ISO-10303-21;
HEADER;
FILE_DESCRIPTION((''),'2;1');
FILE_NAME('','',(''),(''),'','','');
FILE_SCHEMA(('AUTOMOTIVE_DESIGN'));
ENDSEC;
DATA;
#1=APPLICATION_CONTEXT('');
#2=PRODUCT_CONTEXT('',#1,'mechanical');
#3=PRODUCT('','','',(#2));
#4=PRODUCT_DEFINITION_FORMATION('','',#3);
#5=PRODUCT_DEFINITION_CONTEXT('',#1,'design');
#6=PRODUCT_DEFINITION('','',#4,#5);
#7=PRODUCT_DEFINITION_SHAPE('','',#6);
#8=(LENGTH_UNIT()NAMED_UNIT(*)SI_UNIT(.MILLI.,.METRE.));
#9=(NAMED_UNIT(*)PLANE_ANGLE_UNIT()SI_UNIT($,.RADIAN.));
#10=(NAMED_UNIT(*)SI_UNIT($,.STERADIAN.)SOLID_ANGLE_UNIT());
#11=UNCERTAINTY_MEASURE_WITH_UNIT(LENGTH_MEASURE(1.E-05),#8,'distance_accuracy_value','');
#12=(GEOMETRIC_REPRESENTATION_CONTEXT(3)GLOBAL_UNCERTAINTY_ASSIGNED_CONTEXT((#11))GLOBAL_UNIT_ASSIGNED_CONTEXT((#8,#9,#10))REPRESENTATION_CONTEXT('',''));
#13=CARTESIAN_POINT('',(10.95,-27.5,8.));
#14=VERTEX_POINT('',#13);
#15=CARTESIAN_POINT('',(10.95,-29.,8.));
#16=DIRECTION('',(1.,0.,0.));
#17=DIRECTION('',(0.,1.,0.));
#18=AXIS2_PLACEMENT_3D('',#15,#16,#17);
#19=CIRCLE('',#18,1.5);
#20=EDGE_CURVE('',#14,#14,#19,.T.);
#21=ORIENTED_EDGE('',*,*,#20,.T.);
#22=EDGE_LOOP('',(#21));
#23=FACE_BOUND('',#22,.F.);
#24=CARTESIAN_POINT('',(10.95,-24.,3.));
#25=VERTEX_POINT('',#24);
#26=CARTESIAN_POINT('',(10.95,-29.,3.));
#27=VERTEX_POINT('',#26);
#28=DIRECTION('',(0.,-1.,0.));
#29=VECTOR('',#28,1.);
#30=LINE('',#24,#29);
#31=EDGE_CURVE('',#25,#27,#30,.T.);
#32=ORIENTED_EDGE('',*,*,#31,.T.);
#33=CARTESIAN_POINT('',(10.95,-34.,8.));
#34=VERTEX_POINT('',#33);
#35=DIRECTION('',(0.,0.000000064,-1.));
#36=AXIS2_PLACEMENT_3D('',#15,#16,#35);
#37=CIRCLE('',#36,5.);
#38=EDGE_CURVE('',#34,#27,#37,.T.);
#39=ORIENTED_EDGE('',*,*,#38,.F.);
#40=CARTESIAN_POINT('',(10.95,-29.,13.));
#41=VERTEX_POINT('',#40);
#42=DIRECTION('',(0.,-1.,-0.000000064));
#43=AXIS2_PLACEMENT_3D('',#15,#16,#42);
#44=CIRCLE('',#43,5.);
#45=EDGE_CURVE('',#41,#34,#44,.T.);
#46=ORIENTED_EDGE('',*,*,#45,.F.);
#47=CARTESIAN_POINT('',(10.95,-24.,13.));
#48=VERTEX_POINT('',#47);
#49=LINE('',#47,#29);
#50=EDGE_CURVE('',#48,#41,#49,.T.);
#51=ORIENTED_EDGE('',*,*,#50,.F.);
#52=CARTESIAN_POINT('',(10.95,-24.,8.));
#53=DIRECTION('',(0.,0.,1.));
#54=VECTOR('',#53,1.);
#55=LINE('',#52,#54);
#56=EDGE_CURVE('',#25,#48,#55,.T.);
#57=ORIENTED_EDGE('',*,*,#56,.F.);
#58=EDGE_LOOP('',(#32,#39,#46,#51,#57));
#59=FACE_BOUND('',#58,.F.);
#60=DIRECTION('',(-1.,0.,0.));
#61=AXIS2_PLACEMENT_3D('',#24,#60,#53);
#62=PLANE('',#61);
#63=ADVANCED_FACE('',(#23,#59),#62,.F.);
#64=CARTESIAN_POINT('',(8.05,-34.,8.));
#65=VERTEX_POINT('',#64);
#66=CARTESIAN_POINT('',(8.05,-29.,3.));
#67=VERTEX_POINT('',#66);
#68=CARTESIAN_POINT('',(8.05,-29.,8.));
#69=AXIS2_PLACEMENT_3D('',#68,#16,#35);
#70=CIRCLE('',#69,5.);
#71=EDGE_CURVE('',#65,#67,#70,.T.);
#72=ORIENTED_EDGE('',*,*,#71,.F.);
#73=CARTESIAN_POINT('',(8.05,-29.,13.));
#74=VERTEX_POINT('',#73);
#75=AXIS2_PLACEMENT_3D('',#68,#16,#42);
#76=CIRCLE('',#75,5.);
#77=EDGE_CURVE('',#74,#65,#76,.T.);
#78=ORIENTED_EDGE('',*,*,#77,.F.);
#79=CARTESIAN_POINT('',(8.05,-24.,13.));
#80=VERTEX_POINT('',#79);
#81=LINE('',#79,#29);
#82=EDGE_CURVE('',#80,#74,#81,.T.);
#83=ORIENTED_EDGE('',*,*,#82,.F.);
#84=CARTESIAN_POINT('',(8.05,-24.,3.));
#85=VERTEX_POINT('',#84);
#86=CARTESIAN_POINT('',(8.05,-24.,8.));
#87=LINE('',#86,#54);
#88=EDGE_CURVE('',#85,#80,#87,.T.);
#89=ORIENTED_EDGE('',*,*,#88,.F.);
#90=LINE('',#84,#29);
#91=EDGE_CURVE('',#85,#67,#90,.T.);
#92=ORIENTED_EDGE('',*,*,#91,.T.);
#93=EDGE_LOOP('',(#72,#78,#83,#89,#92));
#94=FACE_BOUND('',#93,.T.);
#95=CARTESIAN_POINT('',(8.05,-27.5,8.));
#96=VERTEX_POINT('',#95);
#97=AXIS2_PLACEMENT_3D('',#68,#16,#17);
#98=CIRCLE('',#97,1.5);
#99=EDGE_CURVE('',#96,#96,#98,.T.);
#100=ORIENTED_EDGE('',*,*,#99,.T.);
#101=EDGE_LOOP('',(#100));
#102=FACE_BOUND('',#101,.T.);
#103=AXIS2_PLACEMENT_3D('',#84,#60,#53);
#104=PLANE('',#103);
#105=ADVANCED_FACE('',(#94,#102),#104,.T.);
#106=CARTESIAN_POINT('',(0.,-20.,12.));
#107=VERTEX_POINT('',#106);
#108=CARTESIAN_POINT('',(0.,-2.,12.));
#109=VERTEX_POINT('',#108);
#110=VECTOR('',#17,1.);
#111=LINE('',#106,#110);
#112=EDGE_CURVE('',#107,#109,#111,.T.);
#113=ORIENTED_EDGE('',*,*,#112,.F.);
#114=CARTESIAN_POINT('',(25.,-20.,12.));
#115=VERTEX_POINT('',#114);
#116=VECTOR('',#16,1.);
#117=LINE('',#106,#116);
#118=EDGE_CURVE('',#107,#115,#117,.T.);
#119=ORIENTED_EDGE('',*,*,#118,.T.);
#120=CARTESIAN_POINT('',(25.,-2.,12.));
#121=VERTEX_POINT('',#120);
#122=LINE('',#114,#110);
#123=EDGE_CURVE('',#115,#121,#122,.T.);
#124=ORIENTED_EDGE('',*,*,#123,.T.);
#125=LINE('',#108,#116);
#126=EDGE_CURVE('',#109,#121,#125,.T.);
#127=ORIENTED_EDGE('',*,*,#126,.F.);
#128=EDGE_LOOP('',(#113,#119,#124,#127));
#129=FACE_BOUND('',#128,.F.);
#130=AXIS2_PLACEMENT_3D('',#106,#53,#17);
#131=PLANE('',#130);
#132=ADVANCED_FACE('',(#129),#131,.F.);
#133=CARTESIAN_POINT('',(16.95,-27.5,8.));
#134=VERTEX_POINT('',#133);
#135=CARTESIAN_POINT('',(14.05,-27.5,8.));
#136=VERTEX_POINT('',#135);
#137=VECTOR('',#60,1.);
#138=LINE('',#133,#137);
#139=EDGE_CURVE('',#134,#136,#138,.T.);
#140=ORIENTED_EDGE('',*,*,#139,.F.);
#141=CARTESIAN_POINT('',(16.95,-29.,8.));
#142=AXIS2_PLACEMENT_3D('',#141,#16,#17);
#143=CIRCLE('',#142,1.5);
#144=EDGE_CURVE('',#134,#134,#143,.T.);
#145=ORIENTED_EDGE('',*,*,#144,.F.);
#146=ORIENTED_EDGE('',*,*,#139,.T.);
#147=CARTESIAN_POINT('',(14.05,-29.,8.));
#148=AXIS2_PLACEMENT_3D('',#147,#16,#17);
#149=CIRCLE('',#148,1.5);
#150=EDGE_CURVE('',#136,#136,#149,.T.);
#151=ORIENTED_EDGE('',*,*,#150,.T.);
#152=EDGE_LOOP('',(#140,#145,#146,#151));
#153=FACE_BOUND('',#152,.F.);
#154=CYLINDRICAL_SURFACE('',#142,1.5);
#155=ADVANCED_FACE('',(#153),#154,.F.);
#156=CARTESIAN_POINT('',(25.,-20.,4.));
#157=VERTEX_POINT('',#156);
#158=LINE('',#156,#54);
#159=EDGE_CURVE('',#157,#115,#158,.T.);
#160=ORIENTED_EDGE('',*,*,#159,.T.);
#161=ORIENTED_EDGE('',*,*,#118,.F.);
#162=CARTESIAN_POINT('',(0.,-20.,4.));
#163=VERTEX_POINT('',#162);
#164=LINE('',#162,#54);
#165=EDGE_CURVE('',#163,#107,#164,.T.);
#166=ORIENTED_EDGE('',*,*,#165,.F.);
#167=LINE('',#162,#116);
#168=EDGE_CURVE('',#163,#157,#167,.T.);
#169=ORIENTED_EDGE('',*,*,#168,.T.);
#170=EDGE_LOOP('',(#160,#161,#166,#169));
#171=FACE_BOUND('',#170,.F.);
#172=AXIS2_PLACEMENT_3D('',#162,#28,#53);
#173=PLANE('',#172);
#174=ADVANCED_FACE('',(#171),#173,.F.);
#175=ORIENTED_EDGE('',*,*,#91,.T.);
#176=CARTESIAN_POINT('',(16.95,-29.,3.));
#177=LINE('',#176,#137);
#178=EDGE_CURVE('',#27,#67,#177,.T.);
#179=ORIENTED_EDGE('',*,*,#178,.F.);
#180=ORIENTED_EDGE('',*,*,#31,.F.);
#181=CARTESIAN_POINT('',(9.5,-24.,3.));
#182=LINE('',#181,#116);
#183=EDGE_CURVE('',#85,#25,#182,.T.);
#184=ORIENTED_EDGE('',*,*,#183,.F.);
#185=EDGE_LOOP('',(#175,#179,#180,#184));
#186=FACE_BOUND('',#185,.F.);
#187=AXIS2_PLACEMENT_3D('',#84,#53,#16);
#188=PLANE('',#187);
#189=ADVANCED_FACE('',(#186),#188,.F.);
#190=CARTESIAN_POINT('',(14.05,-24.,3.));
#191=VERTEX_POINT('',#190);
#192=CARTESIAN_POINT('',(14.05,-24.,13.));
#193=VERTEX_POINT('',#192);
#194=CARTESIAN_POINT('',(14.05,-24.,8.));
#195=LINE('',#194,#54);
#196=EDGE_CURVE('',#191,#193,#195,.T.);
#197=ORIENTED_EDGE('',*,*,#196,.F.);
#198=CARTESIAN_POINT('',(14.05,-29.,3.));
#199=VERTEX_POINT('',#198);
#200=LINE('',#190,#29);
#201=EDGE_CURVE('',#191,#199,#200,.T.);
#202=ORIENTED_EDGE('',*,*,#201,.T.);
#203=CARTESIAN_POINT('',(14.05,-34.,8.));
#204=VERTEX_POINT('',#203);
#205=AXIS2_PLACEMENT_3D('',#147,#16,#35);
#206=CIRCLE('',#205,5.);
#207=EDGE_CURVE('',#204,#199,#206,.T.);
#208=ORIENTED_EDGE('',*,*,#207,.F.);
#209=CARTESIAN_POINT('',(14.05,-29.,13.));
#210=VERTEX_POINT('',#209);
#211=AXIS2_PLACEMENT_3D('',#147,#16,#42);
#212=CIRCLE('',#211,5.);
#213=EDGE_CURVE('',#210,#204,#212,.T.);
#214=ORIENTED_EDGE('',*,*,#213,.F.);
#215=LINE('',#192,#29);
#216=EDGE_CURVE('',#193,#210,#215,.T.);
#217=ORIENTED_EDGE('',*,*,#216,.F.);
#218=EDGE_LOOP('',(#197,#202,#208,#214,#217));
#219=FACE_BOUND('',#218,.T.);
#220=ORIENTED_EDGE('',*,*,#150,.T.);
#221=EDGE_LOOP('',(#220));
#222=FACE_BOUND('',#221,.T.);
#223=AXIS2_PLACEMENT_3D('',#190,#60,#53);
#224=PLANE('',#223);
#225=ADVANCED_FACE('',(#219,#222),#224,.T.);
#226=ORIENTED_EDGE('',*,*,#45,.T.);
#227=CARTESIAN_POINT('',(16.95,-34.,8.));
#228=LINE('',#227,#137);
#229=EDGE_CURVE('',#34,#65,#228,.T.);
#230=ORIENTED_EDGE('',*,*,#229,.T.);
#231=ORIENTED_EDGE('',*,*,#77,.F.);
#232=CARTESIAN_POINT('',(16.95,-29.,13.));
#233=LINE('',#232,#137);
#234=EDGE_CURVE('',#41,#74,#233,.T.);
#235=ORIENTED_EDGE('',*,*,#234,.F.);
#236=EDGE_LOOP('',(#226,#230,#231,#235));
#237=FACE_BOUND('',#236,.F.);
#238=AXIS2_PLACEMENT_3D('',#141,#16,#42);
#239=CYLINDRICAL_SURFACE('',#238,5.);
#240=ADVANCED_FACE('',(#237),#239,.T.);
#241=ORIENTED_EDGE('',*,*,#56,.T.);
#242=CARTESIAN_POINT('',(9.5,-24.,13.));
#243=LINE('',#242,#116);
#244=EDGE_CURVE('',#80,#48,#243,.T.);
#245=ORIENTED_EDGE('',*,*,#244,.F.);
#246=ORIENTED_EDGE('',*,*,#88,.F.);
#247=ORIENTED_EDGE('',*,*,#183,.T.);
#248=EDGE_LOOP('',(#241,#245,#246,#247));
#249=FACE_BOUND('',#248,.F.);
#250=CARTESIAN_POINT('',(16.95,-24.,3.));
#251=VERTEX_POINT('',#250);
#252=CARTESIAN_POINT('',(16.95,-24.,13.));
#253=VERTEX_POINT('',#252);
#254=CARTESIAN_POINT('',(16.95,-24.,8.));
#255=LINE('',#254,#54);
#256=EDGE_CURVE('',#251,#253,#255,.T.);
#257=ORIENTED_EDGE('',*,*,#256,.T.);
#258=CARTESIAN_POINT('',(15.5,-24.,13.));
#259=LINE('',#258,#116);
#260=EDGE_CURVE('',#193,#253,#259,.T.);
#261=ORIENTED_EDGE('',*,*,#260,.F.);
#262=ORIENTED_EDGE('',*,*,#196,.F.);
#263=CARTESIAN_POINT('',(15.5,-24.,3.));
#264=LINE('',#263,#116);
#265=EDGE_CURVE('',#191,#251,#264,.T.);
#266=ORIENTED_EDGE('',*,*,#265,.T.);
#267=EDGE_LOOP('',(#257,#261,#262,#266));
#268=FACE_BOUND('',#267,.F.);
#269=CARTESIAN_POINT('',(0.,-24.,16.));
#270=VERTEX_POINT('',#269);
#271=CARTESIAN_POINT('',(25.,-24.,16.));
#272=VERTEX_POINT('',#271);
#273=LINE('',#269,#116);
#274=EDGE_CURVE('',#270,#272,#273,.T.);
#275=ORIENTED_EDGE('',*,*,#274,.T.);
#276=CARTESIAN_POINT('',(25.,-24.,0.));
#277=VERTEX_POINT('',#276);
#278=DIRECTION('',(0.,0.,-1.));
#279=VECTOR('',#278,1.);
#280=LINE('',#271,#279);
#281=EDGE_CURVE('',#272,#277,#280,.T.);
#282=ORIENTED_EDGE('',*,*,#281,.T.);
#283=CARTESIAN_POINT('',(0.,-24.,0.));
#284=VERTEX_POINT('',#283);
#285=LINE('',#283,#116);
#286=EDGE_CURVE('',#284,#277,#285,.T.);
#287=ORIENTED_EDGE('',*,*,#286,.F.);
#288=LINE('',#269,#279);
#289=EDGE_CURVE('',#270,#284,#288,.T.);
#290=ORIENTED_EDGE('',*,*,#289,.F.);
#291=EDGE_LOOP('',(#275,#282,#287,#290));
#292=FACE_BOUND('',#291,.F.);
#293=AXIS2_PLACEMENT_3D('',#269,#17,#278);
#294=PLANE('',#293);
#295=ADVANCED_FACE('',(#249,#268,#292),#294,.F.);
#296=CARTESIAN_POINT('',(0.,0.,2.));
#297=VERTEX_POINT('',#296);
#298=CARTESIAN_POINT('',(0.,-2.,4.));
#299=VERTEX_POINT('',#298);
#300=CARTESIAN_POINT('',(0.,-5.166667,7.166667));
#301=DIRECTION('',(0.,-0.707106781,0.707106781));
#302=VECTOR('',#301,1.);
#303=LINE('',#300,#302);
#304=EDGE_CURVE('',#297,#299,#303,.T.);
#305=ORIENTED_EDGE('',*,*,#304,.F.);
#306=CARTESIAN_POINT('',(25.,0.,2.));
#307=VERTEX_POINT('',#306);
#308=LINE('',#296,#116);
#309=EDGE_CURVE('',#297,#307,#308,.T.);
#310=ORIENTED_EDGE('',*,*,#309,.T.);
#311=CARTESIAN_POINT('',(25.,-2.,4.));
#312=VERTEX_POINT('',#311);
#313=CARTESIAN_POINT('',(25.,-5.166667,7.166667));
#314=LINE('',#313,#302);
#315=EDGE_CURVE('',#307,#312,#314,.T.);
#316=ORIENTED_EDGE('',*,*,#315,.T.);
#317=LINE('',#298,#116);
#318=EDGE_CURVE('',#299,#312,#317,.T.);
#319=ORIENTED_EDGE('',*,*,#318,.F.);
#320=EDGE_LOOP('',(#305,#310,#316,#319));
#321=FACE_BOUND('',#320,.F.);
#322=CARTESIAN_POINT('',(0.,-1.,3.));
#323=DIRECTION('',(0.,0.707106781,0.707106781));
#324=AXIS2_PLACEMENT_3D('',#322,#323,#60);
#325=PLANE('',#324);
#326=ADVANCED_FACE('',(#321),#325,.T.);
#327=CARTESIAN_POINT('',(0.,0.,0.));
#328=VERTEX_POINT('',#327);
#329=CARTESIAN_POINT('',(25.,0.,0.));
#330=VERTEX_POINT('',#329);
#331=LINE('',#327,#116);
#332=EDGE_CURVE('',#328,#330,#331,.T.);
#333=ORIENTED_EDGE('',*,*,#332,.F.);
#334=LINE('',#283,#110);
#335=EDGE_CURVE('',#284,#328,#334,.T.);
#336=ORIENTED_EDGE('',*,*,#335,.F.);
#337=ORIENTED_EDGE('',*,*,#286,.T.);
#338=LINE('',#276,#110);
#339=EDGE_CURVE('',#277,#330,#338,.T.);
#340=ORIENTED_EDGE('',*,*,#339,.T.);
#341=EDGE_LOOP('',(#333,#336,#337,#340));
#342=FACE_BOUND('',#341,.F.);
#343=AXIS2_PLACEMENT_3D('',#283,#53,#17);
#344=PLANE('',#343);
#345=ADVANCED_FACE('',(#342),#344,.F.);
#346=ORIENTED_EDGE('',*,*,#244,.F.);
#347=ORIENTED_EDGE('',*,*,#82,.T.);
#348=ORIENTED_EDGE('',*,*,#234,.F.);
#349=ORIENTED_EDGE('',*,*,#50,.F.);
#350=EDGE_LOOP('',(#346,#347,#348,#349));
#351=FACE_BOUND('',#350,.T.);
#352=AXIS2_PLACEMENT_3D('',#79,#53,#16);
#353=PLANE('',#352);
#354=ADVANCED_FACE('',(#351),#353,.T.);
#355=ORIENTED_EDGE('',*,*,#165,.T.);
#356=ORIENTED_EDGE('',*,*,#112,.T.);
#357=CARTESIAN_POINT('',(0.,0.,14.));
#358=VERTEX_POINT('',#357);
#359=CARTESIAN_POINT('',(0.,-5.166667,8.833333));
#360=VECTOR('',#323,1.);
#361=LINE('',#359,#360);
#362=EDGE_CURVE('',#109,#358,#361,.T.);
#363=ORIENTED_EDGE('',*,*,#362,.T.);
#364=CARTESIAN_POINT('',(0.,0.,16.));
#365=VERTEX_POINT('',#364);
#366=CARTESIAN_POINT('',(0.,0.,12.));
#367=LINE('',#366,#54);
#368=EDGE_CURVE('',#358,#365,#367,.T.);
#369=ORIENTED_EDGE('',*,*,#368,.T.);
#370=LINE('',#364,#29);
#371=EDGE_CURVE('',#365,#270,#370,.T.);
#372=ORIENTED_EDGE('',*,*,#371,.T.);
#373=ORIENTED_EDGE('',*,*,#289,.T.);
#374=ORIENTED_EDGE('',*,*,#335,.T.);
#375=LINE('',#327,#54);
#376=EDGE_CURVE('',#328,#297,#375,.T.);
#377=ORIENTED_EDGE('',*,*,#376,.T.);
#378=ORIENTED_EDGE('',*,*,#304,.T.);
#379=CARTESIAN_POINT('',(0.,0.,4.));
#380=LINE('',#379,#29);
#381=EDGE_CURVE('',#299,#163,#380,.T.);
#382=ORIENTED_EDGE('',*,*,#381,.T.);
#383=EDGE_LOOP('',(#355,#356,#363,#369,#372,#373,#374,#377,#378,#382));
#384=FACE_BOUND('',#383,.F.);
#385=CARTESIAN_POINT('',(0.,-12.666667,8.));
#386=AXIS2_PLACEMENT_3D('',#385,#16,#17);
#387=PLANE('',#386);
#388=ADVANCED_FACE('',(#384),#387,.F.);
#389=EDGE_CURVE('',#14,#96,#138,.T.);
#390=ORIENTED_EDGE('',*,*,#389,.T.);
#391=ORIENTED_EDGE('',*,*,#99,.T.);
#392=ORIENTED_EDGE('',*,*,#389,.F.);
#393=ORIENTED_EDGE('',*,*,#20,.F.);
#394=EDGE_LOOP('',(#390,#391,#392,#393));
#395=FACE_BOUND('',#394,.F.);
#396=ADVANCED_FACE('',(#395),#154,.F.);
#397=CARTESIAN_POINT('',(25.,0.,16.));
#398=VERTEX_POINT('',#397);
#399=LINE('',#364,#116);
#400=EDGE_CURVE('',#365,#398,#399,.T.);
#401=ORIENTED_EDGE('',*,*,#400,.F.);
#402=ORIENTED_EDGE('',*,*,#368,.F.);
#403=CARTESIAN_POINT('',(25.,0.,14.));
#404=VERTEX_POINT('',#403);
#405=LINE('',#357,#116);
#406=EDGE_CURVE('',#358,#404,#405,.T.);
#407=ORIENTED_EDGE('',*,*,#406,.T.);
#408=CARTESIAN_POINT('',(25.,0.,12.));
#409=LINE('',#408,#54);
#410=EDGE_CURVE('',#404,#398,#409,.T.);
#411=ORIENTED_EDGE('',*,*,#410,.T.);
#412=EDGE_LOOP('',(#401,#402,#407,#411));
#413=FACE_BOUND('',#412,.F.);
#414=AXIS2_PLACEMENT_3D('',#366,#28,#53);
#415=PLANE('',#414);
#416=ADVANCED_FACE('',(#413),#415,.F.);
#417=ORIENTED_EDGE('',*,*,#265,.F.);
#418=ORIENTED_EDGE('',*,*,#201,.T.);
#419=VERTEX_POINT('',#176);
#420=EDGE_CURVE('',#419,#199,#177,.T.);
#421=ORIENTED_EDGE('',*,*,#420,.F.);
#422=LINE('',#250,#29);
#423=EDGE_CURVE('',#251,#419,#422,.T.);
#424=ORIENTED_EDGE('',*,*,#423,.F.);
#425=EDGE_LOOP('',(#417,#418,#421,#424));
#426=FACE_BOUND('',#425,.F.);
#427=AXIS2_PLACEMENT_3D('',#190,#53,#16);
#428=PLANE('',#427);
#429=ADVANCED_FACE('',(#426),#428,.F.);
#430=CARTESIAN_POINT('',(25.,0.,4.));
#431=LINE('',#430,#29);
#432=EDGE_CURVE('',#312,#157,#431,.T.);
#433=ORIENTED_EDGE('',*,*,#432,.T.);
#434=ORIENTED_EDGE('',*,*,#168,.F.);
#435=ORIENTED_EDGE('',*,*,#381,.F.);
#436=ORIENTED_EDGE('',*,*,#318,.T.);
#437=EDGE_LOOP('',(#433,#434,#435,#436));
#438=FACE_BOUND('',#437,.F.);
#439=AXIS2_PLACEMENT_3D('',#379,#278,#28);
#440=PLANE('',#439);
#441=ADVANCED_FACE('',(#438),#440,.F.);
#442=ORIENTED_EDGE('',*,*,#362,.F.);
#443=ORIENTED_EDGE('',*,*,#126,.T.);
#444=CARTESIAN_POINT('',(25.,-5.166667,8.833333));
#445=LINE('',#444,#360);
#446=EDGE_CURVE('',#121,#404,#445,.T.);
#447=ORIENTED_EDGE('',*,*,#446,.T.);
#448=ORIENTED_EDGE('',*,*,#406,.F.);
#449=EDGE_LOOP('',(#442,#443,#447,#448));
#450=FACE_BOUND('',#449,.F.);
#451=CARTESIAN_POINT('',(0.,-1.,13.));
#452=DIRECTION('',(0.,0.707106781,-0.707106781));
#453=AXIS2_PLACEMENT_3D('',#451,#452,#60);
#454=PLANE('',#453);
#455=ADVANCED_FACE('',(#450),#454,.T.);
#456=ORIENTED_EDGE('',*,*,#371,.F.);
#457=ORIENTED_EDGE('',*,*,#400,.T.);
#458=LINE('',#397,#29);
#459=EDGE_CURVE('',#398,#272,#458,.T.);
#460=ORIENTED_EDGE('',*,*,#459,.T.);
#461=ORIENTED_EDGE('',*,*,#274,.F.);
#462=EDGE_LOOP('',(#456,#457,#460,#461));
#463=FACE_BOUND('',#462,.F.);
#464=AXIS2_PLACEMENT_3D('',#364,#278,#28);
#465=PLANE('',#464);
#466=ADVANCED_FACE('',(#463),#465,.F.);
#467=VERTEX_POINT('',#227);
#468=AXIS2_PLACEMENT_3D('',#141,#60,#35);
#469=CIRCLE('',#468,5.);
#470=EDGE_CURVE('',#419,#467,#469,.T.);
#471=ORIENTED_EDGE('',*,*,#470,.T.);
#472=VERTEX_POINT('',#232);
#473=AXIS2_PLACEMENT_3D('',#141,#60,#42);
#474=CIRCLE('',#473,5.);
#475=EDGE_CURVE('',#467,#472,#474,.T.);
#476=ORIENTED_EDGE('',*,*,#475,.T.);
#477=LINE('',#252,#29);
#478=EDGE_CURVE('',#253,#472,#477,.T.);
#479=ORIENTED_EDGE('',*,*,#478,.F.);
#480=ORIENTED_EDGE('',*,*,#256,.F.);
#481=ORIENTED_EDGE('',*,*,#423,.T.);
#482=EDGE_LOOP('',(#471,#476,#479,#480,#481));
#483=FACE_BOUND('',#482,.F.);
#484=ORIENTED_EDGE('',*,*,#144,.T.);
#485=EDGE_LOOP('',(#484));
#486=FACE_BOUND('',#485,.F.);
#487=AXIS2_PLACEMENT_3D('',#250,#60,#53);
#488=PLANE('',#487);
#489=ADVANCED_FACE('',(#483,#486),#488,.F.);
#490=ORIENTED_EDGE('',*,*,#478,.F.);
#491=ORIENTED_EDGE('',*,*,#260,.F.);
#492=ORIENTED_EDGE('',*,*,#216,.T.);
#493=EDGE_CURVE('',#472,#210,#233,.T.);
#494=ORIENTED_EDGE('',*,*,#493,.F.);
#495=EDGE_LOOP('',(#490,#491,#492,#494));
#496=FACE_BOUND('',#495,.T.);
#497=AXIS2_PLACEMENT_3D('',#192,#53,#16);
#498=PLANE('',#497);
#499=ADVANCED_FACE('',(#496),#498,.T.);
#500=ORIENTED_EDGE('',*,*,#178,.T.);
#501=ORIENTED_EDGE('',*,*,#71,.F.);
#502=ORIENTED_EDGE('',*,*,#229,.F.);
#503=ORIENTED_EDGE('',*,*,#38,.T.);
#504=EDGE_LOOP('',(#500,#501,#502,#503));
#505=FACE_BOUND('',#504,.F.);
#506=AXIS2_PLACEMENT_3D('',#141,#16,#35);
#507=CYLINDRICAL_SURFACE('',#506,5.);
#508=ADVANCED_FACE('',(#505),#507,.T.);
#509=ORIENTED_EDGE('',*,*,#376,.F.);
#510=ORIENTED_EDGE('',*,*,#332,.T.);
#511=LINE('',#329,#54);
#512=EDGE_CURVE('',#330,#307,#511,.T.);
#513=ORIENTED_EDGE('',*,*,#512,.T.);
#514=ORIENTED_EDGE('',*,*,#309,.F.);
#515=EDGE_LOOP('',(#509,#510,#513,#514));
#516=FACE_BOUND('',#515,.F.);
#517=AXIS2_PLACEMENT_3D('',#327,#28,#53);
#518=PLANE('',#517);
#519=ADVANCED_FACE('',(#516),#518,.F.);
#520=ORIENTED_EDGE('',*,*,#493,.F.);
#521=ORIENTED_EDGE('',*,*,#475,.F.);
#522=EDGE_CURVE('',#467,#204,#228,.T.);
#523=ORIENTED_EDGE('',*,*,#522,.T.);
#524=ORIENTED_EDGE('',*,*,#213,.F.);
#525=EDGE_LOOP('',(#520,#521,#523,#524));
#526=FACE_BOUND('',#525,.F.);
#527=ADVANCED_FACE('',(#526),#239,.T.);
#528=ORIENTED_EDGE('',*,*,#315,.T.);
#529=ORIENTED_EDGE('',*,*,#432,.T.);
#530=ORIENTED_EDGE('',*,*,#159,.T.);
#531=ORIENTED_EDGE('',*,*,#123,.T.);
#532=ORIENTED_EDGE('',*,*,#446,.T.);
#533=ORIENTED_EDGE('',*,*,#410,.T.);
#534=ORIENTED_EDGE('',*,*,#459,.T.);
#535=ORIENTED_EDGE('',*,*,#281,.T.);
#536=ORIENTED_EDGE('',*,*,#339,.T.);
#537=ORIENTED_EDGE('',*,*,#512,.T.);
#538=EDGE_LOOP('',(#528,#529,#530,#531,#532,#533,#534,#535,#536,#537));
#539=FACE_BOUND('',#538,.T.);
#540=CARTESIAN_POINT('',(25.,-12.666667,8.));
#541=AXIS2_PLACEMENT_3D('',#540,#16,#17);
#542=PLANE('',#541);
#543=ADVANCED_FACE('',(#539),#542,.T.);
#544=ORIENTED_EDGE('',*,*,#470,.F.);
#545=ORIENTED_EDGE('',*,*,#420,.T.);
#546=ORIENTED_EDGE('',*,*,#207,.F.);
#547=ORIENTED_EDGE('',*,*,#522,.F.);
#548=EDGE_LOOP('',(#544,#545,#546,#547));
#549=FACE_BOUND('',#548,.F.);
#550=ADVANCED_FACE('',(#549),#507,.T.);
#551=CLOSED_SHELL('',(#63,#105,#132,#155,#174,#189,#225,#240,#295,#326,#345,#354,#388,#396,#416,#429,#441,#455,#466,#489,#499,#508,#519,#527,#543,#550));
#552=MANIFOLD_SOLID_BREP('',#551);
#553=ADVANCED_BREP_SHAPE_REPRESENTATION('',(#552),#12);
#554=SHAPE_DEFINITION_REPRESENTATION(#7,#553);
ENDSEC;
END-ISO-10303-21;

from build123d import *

# Parameters (mm, degrees)
F1_DEPTH = 25
F2_W     = 2.9
F2_H     = 10
F3_DEPTH = 10
F4_R     = 1.5
F5_DEPTH = 9
F6_SIZE  = 2


with BuildPart() as f1:
    # F0 (on Right) → F1 (new body)
    with BuildSketch(Plane.YZ):
        Polygon((-24, 0), (0, 0), (0, 4), (-20, 4), (-20, 12), (0, 12), (0, 16), (-24, 16), align=None)
    extrude(amount=F1_DEPTH)

    # F2 (on face) → F3 (join)
    with BuildSketch(Plane.XZ.offset(24)):
        with Locations((9.5, 8)):
            Rectangle(F2_W, F2_H)
        with Locations((15.5, 8)):
            Rectangle(F2_W, F2_H)
    extrude(amount=F3_DEPTH)

    # F4 (on face) → F5 (cut)
    with BuildSketch(Plane.YZ.offset(16.95)):
        with BuildLine():
            ThreePointArc((-34, 8), (-32.535534, 11.535534), (-29, 13))
            Line((-29, 13), (-34, 13))
            Line((-34, 13), (-34, 8))
        make_face()
        with BuildLine():
            ThreePointArc((-29, 3), (-32.535534, 4.464466), (-34, 8))
            Line((-34, 8), (-34, 3))
            Line((-34, 3), (-29, 3))
        make_face()
        with Locations((-29, 8)):
            Circle(F4_R)
    extrude(amount=-F5_DEPTH, mode=Mode.SUBTRACT)

    # F6
    f6_edges = [f1.edges().sort_by_distance(p)[0] for p in [
        (12.5, 0, 12),
        (12.5, 0, 4),
    ]]
    chamfer(f6_edges, length=F6_SIZE)


solid = f1.part
